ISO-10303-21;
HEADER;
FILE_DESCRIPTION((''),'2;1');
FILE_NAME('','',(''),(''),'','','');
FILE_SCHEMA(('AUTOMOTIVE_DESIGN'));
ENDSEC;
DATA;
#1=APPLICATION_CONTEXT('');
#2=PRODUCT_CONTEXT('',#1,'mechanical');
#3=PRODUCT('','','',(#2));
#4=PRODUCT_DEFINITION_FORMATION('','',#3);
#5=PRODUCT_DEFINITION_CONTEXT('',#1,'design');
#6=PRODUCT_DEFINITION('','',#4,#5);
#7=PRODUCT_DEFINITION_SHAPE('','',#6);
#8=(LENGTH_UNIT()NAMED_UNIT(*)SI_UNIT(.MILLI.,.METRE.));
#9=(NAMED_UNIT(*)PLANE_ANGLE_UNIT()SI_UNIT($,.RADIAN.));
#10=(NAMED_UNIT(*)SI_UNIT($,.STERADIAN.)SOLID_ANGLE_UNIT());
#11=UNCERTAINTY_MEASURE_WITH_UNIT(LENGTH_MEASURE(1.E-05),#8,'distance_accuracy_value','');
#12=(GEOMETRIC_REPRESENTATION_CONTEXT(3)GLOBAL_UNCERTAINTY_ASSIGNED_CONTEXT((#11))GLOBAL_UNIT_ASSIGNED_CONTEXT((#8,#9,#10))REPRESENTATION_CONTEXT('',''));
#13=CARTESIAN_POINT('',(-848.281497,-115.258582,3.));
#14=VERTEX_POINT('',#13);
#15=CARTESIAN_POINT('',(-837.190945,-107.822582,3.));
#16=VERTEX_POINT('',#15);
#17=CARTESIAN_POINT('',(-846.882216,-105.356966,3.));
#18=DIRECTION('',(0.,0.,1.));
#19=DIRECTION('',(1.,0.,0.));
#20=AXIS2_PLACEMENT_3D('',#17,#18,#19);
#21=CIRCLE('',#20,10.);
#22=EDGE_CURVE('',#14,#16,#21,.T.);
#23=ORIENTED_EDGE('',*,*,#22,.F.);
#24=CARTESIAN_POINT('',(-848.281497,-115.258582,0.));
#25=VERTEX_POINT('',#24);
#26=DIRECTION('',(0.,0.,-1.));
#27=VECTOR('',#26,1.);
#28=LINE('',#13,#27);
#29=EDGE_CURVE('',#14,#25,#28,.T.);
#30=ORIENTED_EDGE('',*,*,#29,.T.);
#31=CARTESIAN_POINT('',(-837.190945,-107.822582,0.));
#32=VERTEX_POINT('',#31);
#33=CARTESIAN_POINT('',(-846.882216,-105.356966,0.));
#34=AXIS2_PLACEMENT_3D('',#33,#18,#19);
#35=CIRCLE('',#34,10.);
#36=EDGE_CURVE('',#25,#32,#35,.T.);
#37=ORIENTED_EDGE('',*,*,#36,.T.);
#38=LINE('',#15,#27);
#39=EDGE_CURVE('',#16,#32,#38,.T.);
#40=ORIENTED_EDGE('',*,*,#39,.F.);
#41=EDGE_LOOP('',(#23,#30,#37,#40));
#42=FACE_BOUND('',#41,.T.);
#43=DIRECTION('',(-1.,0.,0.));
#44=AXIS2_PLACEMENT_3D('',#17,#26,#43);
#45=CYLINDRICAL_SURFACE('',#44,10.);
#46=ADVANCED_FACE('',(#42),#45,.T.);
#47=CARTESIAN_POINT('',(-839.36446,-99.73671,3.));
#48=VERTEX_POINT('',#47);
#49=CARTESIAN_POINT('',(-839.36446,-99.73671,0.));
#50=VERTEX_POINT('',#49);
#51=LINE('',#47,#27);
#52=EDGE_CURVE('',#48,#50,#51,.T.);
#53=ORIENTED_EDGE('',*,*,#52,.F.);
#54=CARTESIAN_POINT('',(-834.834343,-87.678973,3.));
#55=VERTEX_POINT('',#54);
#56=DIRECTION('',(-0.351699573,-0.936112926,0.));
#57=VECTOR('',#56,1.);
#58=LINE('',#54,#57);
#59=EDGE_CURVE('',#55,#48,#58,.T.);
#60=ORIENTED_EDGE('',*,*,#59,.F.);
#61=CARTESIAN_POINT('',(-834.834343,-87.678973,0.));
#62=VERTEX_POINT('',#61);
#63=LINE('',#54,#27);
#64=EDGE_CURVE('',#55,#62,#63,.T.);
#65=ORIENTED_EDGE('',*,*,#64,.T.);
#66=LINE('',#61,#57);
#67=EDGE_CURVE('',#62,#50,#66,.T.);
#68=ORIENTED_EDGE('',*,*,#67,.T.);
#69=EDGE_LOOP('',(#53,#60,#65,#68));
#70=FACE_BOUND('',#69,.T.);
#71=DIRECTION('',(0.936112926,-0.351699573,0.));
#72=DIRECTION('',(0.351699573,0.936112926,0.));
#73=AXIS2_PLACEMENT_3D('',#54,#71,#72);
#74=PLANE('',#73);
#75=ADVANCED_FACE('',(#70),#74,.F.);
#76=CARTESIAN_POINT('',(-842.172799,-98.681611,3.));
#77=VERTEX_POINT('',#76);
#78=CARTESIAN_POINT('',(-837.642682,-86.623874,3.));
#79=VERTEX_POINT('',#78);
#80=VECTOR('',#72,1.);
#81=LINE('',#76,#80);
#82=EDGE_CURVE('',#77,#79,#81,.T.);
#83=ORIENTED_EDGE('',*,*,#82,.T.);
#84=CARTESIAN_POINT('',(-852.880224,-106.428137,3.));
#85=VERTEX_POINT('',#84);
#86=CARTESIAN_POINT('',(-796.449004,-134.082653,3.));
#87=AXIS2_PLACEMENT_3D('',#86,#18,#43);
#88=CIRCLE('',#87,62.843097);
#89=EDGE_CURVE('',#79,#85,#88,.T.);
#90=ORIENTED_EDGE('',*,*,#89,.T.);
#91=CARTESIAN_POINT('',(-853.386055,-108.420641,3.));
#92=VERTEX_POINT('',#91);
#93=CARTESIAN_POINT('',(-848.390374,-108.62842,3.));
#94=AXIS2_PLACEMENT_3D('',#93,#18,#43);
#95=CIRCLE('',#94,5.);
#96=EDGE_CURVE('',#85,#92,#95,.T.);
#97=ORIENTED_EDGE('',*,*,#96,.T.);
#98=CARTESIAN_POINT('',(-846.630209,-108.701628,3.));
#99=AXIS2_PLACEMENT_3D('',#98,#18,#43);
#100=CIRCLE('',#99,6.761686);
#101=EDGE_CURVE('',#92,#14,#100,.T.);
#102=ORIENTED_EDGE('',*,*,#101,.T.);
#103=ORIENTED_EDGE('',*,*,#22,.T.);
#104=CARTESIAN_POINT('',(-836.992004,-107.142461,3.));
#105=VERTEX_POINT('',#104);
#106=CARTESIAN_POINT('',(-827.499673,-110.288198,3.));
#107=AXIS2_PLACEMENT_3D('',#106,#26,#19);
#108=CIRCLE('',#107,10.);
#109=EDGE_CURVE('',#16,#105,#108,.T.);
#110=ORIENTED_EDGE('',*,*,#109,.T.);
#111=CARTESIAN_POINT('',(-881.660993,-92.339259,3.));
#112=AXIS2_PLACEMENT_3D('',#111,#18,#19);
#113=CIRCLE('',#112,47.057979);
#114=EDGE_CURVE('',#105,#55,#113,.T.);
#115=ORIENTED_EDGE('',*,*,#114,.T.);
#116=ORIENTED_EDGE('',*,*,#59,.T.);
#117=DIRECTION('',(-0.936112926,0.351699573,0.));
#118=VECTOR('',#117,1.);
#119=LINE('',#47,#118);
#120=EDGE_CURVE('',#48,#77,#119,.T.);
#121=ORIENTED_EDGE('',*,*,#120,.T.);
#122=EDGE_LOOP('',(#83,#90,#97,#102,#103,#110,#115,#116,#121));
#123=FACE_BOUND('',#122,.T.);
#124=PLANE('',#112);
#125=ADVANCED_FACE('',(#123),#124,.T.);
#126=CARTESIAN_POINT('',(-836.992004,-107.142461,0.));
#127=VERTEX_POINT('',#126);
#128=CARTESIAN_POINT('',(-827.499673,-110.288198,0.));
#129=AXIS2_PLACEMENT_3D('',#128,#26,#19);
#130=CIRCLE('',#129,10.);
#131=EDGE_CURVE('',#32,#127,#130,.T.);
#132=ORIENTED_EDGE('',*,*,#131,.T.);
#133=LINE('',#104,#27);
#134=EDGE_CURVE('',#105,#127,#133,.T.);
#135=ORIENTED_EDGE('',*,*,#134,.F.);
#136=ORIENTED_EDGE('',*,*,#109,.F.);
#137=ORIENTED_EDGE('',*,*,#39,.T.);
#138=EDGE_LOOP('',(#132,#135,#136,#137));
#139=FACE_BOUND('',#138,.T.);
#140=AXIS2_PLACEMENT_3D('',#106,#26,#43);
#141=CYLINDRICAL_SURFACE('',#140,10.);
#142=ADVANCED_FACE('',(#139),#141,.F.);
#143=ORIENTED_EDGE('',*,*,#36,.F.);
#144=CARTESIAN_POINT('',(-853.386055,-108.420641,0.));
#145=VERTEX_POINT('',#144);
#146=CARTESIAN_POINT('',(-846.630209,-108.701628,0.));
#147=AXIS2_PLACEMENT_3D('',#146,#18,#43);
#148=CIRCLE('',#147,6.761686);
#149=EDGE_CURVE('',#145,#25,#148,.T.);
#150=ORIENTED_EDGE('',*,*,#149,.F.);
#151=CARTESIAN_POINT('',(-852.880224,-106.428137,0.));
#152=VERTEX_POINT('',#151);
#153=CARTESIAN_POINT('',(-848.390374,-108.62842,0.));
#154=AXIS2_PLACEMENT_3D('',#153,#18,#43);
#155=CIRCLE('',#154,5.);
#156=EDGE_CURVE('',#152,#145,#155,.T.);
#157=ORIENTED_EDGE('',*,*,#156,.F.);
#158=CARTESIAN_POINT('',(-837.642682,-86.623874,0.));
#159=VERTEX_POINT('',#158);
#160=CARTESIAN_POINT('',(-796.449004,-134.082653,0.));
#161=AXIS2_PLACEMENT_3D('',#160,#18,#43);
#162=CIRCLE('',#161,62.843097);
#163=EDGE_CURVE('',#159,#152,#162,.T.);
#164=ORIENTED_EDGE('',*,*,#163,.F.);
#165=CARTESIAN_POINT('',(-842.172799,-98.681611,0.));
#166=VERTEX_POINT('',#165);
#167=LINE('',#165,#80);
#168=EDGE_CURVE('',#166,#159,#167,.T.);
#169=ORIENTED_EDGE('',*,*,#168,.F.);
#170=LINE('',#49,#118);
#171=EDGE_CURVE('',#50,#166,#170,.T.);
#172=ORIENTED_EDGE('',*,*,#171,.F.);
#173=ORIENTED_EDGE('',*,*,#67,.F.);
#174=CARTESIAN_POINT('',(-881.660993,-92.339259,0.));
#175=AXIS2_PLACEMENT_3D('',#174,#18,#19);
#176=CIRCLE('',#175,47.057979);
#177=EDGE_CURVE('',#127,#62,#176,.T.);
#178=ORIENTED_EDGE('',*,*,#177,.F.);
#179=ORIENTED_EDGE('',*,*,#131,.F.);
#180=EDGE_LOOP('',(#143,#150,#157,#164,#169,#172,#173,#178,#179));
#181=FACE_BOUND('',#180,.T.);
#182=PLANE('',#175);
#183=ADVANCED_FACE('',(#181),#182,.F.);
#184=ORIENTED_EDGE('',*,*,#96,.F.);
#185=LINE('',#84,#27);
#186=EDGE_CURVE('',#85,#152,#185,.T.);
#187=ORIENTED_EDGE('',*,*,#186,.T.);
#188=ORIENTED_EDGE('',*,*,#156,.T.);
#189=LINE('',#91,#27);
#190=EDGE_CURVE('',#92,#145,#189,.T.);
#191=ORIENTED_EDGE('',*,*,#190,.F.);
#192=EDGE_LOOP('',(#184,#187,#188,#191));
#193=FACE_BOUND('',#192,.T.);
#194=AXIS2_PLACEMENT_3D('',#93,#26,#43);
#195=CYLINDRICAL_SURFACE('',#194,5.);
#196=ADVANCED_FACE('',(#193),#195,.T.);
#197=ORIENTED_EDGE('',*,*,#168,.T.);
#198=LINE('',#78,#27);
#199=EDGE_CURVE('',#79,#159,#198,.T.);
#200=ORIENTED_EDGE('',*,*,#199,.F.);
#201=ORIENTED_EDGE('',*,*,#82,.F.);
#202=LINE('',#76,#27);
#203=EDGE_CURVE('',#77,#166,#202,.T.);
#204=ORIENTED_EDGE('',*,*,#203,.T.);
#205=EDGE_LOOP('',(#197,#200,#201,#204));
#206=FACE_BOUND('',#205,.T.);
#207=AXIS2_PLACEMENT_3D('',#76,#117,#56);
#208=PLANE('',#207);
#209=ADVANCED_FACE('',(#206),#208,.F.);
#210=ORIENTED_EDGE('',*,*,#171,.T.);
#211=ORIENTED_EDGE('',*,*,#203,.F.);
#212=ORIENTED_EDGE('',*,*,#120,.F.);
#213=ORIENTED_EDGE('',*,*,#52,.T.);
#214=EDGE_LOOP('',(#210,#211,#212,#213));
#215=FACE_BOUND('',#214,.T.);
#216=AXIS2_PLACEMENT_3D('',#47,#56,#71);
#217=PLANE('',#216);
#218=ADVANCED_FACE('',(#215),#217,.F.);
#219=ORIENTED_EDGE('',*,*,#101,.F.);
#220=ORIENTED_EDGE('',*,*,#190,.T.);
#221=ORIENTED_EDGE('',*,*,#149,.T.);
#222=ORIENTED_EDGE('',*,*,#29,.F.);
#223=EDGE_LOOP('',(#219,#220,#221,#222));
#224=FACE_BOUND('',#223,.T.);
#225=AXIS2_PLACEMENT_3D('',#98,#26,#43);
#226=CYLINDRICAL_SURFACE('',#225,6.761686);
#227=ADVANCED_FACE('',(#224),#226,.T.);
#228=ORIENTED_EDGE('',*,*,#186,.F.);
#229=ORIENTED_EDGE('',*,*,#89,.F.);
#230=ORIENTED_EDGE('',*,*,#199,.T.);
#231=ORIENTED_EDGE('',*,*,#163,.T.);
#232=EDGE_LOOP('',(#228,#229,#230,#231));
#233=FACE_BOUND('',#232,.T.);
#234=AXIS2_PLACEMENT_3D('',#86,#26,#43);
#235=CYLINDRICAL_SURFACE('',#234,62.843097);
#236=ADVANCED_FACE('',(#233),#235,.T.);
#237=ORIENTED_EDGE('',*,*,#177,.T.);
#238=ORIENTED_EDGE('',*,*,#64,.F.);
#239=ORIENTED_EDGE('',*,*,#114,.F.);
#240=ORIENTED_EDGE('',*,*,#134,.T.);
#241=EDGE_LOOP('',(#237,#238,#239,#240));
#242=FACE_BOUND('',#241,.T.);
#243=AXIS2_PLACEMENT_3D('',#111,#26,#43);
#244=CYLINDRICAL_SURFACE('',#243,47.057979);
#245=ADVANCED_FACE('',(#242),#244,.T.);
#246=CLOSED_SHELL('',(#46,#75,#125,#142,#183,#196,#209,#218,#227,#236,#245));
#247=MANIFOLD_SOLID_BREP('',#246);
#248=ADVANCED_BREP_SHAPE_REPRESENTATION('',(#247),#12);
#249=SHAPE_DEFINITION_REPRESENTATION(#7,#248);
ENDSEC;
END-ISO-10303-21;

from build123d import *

# Parameters (mm, degrees)
BASE_EXTRUDE_DEPTH = 3


with BuildPart() as part:
    # Sketch1 → Base-Extrude (new body)
    with BuildSketch(Plane.XY):
        with BuildLine():
            Line((-834.83434342, -87.678972665), (-839.364460389, -99.73670996))
            Line((-839.364460389, -99.73670996), (-842.172799168, -98.681611242))
            Line((-842.172799168, -98.681611242), (-837.642682199, -86.623873947))
            ThreePointArc((-837.642682199, -86.623873947), (-846.255704387, -95.761021528), (-852.880224121, -106.428137137))
            ThreePointArc((-852.880224121, -106.428137137), (-853.236644942, -107.398112585), (-853.386054738, -108.420641256))
            ThreePointArc((-853.386054738, -108.420641256), (-852.048634424, -112.746509925), (-848.281496833, -115.258582218))
            ThreePointArc((-848.281496833, -115.258582218), (-841.313301936, -113.662818896), (-837.190944526, -107.822581735))
            ThreePointArc((-837.190944526, -107.822581735), (-837.097500446, -107.480758655), (-836.992003912, -107.142461011))
            ThreePointArc((-836.992003912, -107.142461011), (-834.889529289, -97.524194802), (-834.83434342, -87.678972665))
        make_face()
    extrude(amount=BASE_EXTRUDE_DEPTH)


solid = part.part
